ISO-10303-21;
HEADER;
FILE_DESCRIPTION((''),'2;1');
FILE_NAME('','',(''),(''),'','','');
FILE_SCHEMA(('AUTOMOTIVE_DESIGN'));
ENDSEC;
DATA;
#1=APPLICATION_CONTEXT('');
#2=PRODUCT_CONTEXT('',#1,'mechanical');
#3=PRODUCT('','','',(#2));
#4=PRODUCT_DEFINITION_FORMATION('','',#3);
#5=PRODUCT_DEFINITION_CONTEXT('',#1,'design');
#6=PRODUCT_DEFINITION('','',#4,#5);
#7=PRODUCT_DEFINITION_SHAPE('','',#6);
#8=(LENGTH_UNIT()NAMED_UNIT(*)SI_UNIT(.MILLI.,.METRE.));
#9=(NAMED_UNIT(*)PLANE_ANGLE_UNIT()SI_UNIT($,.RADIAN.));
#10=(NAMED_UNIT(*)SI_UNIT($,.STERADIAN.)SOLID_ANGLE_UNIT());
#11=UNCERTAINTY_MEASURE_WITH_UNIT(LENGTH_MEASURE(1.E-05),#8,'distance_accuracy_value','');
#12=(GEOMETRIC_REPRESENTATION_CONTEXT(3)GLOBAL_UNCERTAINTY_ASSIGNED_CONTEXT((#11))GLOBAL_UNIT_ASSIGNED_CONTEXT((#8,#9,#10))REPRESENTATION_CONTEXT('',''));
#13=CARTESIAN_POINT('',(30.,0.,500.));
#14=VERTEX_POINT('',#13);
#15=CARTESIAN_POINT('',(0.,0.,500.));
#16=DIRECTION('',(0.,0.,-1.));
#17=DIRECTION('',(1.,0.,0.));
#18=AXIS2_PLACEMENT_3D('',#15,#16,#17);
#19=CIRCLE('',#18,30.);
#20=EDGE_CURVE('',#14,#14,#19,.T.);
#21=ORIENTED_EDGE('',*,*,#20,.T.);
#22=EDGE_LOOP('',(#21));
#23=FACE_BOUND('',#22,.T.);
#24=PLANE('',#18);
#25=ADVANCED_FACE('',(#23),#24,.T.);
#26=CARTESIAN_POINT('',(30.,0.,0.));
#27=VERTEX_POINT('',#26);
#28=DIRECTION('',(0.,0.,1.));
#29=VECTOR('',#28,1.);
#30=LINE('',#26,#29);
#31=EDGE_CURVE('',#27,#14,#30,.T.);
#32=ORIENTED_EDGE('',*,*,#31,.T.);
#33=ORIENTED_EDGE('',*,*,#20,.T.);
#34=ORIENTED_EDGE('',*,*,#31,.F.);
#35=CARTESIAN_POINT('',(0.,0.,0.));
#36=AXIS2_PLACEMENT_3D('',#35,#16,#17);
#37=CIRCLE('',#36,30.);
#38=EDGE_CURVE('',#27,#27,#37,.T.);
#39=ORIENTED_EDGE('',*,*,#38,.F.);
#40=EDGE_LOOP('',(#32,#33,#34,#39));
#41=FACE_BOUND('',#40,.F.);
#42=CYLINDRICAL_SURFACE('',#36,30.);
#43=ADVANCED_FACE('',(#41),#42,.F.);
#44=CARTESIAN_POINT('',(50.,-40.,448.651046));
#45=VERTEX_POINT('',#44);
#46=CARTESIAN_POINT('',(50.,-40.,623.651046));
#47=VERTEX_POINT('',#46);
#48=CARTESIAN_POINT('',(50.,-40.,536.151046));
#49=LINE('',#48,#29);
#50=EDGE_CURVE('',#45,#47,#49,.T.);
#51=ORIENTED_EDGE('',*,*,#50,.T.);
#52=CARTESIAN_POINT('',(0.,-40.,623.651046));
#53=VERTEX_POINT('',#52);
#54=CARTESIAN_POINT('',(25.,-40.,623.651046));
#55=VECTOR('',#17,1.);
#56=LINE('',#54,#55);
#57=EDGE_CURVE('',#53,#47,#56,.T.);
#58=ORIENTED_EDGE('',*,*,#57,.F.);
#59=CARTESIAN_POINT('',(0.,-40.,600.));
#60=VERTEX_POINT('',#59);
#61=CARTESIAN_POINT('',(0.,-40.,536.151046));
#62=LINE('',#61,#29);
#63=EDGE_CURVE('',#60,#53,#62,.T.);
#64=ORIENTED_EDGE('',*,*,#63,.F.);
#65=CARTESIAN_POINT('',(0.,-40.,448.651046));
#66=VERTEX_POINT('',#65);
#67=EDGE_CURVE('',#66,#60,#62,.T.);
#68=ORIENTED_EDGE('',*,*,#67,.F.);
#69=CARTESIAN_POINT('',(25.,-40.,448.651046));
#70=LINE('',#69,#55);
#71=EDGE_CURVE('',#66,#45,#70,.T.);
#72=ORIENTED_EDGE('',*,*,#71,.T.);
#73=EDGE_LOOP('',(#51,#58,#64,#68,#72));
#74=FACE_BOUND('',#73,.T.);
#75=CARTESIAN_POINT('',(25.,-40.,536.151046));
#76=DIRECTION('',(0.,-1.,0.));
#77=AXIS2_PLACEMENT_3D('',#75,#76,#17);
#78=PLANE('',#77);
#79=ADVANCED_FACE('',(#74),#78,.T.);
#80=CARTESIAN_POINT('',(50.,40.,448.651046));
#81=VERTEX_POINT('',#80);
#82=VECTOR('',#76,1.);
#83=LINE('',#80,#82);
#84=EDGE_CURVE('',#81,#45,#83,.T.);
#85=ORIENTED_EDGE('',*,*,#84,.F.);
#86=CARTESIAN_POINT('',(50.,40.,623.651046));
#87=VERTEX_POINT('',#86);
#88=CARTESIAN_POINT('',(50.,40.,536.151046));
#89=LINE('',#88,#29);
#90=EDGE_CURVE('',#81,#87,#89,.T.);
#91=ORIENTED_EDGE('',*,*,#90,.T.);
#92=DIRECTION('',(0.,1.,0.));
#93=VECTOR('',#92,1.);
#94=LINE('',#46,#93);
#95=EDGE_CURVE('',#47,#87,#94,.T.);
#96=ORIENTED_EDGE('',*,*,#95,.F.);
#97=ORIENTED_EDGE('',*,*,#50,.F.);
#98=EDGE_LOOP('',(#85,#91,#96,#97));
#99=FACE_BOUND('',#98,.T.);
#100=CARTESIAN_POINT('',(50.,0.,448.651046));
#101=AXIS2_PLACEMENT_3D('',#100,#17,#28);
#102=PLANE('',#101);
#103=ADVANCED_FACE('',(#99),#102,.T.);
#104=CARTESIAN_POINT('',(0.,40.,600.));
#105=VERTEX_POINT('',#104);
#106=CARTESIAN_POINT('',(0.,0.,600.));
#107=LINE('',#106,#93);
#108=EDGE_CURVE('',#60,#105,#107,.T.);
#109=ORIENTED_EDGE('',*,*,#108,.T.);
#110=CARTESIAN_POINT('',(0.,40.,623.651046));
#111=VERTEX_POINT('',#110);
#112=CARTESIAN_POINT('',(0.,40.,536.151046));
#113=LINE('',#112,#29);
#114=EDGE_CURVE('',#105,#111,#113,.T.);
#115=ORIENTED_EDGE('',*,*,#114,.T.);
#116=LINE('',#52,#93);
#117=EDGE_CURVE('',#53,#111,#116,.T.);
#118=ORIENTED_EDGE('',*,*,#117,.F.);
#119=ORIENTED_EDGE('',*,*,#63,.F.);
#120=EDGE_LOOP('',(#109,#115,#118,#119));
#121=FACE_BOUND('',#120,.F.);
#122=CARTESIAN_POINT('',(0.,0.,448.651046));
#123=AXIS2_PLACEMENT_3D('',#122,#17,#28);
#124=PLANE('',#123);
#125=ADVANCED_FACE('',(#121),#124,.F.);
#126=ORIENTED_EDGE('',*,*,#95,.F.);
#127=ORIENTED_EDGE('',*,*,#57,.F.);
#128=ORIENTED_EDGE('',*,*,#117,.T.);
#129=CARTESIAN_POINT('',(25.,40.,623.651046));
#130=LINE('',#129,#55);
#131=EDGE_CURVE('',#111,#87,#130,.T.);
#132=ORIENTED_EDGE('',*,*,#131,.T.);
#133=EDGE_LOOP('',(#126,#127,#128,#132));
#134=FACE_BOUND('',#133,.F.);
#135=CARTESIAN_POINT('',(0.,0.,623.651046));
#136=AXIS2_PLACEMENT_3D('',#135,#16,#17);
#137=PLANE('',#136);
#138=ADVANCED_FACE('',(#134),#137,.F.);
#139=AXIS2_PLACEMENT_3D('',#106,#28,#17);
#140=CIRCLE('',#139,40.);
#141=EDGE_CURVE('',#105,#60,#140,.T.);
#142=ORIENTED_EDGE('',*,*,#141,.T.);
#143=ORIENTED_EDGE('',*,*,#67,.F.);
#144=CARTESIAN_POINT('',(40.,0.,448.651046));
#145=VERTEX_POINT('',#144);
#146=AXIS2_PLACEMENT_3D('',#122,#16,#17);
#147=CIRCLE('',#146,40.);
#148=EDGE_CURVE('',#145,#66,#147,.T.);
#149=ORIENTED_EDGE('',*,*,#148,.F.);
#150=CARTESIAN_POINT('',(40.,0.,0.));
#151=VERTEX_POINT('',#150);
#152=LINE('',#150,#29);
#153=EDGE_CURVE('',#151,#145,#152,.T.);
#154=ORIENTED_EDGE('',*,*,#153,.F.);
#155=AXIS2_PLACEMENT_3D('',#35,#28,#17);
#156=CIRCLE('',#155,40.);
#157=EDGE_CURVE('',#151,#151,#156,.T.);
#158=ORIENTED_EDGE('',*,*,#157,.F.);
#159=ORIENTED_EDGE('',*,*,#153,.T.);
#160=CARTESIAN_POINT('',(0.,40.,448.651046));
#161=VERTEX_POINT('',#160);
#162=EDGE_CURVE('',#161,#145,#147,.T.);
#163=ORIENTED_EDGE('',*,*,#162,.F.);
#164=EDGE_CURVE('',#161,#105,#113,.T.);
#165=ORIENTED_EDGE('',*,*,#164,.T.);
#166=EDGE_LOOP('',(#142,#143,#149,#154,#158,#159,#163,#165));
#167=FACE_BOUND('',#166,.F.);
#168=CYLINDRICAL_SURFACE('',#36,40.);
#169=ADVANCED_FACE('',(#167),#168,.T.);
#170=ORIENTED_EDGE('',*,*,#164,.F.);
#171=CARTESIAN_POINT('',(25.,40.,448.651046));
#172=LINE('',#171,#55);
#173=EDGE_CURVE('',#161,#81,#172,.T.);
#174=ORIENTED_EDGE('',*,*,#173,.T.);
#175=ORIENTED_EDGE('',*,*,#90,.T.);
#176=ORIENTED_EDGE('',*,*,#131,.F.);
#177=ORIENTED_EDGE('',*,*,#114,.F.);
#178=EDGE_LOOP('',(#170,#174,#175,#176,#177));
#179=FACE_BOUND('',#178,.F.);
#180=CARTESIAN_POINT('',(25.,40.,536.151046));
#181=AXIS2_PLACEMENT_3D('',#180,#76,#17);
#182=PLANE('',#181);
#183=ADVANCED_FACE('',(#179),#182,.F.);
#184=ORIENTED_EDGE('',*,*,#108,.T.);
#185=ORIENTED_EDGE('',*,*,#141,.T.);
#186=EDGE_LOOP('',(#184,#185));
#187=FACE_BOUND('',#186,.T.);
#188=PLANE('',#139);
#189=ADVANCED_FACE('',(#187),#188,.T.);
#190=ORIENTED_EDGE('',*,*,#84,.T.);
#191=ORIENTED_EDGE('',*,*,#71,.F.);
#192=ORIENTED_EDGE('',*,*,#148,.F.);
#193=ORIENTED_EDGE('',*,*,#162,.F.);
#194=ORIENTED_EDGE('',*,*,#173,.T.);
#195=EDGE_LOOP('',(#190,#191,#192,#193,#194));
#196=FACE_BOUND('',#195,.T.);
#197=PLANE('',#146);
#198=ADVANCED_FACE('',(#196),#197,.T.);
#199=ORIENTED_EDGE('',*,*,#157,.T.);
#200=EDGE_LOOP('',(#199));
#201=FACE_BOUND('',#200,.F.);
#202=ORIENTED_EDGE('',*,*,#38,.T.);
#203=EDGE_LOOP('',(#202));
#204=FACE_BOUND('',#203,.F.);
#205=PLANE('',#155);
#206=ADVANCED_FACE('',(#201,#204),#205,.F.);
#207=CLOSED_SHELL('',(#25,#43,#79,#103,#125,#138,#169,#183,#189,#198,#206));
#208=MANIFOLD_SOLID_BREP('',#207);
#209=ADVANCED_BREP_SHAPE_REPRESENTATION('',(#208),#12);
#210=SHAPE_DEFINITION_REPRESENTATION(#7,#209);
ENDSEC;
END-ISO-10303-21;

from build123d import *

# Parameters (mm, degrees)
F0_R     = 40
F1_DEPTH = 600
F2_W     = 50
F2_H     = 175
F3_DEPTH = 40
F4_R     = 30
F5_DEPTH = 500


with BuildPart() as f1:
    # F0 (on Top) → F1 (new body)
    with BuildSketch(Plane.XY):
        Circle(F0_R)
    extrude(amount=F1_DEPTH)

    # F2 (on Front) → F3 (join, symmetric)
    with BuildSketch(Plane.XZ):
        with Locations((25, 536.151046)):
            Rectangle(F2_W, F2_H)
    extrude(amount=F3_DEPTH, both=True)

    # F4 (on face) → F5 (cut)
    with BuildSketch(Plane(origin=(0, 0, 0), x_dir=(1, 0, 0), z_dir=(0, 0, -1))):
        Circle(F4_R)
    extrude(amount=-F5_DEPTH, mode=Mode.SUBTRACT)


solid = f1.part
